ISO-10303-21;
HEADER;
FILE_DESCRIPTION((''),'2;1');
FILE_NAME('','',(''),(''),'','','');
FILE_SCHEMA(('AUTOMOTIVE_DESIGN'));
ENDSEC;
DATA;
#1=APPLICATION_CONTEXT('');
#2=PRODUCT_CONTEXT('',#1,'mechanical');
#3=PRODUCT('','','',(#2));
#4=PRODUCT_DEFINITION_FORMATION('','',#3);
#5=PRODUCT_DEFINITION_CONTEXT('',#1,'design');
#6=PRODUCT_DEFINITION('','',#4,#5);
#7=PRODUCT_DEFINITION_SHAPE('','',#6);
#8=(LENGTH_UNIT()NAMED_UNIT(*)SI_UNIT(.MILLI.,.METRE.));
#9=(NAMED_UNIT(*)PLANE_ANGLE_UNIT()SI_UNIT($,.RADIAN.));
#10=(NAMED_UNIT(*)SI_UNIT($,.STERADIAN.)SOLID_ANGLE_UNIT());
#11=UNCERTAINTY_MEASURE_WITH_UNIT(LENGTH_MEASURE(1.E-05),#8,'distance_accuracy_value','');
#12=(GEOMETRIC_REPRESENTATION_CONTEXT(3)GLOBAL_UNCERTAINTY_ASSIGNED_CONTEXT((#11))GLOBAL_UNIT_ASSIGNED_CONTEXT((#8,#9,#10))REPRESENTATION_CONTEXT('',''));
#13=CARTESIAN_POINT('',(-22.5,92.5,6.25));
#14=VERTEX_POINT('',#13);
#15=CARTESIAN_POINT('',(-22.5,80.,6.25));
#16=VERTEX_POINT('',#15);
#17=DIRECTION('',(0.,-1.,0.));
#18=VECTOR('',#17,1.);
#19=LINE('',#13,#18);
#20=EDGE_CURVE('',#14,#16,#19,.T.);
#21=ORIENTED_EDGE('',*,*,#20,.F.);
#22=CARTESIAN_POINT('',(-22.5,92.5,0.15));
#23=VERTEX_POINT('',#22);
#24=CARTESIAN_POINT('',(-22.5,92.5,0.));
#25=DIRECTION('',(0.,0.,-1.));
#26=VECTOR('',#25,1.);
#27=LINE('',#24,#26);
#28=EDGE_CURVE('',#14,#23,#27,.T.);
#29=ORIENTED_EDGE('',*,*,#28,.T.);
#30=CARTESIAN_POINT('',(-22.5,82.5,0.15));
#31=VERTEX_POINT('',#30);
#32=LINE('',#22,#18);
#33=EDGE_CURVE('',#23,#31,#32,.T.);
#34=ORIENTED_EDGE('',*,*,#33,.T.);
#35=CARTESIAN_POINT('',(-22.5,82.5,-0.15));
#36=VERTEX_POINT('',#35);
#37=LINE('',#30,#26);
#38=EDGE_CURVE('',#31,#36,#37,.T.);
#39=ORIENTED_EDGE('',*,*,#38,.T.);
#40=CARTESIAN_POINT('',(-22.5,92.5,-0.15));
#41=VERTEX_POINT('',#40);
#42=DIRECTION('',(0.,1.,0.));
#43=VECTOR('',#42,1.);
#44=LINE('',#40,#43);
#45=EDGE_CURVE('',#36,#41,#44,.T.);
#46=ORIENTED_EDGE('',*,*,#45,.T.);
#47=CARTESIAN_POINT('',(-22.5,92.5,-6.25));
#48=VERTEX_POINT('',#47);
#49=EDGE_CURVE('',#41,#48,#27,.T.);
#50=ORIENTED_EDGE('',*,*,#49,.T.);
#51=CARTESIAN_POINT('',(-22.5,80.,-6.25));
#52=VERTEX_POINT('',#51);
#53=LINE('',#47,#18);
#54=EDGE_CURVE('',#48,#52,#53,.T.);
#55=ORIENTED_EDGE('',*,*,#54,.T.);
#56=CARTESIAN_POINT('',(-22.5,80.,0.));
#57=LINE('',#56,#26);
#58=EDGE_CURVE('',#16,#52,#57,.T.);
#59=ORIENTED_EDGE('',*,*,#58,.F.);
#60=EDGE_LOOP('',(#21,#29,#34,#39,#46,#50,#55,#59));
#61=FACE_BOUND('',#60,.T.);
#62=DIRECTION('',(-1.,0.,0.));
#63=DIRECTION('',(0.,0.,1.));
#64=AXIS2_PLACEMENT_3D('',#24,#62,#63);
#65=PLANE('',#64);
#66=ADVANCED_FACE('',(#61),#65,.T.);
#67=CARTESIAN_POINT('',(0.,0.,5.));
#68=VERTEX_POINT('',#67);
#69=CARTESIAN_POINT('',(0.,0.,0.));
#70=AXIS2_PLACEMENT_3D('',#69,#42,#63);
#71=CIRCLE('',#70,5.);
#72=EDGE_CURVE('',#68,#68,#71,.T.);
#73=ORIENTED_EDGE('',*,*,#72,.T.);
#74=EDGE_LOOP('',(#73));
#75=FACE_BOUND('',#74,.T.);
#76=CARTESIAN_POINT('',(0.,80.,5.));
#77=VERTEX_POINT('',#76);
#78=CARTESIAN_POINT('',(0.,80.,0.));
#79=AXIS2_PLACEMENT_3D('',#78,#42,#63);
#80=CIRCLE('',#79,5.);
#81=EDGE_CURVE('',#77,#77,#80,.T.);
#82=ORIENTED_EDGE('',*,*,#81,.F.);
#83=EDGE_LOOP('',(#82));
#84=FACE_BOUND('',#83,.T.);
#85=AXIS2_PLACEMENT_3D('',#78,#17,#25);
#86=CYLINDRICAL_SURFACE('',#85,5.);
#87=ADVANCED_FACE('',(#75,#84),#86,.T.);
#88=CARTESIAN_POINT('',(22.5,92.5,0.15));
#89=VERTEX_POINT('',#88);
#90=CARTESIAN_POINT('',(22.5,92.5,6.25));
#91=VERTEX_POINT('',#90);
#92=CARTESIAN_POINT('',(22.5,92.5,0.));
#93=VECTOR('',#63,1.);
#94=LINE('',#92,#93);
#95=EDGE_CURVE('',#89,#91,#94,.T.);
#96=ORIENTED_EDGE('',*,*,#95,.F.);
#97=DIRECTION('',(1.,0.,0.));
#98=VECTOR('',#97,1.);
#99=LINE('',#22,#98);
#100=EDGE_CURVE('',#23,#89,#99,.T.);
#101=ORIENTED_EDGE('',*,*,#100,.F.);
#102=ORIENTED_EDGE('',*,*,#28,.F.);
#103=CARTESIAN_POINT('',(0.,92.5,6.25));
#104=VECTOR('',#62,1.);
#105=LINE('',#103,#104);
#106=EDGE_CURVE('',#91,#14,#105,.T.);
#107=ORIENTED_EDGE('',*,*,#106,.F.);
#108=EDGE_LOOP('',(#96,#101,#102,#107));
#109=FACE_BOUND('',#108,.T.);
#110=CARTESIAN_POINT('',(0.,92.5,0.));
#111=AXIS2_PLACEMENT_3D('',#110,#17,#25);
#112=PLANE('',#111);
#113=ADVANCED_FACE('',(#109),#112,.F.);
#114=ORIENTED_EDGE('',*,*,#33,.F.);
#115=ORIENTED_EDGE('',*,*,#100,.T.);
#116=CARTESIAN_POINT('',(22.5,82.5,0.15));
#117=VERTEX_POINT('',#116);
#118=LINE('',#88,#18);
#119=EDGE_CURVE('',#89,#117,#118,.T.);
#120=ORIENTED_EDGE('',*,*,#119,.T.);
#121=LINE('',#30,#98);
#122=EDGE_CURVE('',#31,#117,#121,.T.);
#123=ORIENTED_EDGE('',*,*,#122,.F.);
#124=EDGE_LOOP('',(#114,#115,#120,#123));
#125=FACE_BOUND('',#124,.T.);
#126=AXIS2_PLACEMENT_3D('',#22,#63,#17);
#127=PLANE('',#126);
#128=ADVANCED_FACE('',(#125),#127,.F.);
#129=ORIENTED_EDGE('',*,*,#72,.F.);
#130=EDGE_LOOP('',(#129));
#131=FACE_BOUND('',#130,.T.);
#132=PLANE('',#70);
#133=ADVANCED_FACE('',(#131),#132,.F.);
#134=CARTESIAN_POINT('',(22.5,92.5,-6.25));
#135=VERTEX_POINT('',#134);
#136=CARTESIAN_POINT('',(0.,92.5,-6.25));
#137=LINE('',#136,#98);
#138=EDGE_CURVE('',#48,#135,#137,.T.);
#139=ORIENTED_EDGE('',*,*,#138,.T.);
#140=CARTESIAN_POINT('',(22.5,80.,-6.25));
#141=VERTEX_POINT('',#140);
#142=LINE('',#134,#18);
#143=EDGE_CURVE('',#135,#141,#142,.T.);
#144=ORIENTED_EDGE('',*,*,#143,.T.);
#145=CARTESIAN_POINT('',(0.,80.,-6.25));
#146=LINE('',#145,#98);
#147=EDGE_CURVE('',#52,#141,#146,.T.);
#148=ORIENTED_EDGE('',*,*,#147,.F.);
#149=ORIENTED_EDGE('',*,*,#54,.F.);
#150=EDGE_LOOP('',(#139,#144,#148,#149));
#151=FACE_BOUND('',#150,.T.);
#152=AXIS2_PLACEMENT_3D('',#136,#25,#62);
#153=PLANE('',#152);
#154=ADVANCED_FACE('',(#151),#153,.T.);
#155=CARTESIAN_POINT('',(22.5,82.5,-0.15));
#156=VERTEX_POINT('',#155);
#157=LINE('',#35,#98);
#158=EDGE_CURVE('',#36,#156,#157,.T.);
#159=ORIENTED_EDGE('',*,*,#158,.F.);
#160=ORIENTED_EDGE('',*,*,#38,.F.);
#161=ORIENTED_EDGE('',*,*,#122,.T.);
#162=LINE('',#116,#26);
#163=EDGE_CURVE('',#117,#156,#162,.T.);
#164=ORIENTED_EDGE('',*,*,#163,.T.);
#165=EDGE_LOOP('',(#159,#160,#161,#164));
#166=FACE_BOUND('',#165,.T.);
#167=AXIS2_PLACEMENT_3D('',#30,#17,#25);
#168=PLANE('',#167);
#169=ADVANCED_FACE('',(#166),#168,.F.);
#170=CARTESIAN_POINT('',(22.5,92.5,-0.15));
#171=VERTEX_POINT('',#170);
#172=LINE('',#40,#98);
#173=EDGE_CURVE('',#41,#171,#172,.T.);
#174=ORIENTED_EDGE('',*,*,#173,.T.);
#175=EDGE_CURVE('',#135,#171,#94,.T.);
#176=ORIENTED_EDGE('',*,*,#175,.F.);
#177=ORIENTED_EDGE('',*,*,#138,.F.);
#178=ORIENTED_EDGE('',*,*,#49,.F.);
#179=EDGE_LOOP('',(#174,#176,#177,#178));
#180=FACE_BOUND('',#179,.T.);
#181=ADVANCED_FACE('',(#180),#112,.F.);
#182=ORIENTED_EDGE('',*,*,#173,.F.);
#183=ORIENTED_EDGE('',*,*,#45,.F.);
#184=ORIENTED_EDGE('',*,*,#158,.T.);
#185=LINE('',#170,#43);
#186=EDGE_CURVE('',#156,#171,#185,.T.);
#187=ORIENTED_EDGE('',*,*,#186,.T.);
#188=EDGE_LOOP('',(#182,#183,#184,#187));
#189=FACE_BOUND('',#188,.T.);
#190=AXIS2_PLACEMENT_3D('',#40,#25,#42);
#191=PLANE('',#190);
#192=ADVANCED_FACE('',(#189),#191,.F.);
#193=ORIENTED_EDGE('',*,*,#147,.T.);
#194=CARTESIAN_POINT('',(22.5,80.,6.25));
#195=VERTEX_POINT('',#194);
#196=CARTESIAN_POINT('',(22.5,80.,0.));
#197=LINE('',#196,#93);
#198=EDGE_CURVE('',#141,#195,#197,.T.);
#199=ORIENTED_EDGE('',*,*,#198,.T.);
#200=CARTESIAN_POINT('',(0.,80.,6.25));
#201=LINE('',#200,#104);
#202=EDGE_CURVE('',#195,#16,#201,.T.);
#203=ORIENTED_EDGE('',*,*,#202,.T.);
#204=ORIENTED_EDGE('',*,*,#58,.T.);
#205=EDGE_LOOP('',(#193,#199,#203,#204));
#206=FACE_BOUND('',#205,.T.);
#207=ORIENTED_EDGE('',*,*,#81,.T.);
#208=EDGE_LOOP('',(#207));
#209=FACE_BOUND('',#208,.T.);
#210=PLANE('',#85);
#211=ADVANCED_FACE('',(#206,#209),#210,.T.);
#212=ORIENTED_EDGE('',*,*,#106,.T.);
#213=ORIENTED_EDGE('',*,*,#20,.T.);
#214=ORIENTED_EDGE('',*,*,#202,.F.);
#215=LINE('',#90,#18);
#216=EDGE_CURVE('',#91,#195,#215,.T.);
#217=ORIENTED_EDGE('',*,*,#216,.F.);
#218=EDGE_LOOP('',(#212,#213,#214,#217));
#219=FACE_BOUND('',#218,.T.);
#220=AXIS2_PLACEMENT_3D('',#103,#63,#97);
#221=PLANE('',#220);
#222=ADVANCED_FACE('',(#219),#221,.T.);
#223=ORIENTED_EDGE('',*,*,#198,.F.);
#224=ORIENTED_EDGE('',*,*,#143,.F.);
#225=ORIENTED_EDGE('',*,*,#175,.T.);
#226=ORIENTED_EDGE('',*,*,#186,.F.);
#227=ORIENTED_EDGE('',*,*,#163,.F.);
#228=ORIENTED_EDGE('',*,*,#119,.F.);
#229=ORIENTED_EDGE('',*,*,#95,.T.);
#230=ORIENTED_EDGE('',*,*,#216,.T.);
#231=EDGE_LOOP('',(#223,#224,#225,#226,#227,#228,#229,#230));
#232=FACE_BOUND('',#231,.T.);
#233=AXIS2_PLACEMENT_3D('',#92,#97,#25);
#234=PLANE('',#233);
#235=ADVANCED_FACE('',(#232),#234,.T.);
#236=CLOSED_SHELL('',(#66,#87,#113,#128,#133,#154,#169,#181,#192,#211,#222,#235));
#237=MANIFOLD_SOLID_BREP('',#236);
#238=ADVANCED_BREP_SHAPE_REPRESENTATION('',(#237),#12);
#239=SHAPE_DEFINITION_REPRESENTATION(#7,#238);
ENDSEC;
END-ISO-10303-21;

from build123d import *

# Parameters (mm, degrees)
SKETCH1_R               = 5
BOSS_EXTRUDE1_DEPTH     = 80
BOSS_EXTRUDE2_START     = 80
SKETCH2_W               = 44.999999916
SKETCH2_H               = 12.5
BOSS_EXTRUDE2_DEPTH     = 12.5
CUT_EXTRUDE1_DEPTH      = 96.402109506
CUT_EXTRUDE1_DEPTH_BACK = 96.402109506
SKETCH3_W               = 0.3
SKETCH3_H               = 10


with BuildPart() as part:
    # Sketch1 → Boss-Extrude1 (new body)
    with BuildSketch(Plane(origin=(0, 0, 0), x_dir=(1, 0, 0), z_dir=(0, 1, 0))):
        with Locations(Location((0, 0, 0), (0, 0, 270))):
            Circle(SKETCH1_R)
    extrude(amount=BOSS_EXTRUDE1_DEPTH)

    # Sketch2 → Boss-Extrude2 (add)
    with BuildSketch(Plane(origin=(0, 0, 0), x_dir=(1, 0, 0), z_dir=(0, 1, 0)).offset(BOSS_EXTRUDE2_START)):
        Rectangle(SKETCH2_W, SKETCH2_H)
    extrude(amount=BOSS_EXTRUDE2_DEPTH)

    # Sketch3 → Cut-Extrude1 (cut, two sides: drawn at the far end of the back side and taken through both)
    with BuildSketch(Plane(origin=(0, 0, 0), x_dir=(0, 0, -1), z_dir=(1, 0, 0)).offset(-CUT_EXTRUDE1_DEPTH_BACK)):
        with Locations((0, 87.5)):
            Rectangle(SKETCH3_W, SKETCH3_H)
    extrude(amount=CUT_EXTRUDE1_DEPTH + CUT_EXTRUDE1_DEPTH_BACK, mode=Mode.SUBTRACT)


solid = part.part
